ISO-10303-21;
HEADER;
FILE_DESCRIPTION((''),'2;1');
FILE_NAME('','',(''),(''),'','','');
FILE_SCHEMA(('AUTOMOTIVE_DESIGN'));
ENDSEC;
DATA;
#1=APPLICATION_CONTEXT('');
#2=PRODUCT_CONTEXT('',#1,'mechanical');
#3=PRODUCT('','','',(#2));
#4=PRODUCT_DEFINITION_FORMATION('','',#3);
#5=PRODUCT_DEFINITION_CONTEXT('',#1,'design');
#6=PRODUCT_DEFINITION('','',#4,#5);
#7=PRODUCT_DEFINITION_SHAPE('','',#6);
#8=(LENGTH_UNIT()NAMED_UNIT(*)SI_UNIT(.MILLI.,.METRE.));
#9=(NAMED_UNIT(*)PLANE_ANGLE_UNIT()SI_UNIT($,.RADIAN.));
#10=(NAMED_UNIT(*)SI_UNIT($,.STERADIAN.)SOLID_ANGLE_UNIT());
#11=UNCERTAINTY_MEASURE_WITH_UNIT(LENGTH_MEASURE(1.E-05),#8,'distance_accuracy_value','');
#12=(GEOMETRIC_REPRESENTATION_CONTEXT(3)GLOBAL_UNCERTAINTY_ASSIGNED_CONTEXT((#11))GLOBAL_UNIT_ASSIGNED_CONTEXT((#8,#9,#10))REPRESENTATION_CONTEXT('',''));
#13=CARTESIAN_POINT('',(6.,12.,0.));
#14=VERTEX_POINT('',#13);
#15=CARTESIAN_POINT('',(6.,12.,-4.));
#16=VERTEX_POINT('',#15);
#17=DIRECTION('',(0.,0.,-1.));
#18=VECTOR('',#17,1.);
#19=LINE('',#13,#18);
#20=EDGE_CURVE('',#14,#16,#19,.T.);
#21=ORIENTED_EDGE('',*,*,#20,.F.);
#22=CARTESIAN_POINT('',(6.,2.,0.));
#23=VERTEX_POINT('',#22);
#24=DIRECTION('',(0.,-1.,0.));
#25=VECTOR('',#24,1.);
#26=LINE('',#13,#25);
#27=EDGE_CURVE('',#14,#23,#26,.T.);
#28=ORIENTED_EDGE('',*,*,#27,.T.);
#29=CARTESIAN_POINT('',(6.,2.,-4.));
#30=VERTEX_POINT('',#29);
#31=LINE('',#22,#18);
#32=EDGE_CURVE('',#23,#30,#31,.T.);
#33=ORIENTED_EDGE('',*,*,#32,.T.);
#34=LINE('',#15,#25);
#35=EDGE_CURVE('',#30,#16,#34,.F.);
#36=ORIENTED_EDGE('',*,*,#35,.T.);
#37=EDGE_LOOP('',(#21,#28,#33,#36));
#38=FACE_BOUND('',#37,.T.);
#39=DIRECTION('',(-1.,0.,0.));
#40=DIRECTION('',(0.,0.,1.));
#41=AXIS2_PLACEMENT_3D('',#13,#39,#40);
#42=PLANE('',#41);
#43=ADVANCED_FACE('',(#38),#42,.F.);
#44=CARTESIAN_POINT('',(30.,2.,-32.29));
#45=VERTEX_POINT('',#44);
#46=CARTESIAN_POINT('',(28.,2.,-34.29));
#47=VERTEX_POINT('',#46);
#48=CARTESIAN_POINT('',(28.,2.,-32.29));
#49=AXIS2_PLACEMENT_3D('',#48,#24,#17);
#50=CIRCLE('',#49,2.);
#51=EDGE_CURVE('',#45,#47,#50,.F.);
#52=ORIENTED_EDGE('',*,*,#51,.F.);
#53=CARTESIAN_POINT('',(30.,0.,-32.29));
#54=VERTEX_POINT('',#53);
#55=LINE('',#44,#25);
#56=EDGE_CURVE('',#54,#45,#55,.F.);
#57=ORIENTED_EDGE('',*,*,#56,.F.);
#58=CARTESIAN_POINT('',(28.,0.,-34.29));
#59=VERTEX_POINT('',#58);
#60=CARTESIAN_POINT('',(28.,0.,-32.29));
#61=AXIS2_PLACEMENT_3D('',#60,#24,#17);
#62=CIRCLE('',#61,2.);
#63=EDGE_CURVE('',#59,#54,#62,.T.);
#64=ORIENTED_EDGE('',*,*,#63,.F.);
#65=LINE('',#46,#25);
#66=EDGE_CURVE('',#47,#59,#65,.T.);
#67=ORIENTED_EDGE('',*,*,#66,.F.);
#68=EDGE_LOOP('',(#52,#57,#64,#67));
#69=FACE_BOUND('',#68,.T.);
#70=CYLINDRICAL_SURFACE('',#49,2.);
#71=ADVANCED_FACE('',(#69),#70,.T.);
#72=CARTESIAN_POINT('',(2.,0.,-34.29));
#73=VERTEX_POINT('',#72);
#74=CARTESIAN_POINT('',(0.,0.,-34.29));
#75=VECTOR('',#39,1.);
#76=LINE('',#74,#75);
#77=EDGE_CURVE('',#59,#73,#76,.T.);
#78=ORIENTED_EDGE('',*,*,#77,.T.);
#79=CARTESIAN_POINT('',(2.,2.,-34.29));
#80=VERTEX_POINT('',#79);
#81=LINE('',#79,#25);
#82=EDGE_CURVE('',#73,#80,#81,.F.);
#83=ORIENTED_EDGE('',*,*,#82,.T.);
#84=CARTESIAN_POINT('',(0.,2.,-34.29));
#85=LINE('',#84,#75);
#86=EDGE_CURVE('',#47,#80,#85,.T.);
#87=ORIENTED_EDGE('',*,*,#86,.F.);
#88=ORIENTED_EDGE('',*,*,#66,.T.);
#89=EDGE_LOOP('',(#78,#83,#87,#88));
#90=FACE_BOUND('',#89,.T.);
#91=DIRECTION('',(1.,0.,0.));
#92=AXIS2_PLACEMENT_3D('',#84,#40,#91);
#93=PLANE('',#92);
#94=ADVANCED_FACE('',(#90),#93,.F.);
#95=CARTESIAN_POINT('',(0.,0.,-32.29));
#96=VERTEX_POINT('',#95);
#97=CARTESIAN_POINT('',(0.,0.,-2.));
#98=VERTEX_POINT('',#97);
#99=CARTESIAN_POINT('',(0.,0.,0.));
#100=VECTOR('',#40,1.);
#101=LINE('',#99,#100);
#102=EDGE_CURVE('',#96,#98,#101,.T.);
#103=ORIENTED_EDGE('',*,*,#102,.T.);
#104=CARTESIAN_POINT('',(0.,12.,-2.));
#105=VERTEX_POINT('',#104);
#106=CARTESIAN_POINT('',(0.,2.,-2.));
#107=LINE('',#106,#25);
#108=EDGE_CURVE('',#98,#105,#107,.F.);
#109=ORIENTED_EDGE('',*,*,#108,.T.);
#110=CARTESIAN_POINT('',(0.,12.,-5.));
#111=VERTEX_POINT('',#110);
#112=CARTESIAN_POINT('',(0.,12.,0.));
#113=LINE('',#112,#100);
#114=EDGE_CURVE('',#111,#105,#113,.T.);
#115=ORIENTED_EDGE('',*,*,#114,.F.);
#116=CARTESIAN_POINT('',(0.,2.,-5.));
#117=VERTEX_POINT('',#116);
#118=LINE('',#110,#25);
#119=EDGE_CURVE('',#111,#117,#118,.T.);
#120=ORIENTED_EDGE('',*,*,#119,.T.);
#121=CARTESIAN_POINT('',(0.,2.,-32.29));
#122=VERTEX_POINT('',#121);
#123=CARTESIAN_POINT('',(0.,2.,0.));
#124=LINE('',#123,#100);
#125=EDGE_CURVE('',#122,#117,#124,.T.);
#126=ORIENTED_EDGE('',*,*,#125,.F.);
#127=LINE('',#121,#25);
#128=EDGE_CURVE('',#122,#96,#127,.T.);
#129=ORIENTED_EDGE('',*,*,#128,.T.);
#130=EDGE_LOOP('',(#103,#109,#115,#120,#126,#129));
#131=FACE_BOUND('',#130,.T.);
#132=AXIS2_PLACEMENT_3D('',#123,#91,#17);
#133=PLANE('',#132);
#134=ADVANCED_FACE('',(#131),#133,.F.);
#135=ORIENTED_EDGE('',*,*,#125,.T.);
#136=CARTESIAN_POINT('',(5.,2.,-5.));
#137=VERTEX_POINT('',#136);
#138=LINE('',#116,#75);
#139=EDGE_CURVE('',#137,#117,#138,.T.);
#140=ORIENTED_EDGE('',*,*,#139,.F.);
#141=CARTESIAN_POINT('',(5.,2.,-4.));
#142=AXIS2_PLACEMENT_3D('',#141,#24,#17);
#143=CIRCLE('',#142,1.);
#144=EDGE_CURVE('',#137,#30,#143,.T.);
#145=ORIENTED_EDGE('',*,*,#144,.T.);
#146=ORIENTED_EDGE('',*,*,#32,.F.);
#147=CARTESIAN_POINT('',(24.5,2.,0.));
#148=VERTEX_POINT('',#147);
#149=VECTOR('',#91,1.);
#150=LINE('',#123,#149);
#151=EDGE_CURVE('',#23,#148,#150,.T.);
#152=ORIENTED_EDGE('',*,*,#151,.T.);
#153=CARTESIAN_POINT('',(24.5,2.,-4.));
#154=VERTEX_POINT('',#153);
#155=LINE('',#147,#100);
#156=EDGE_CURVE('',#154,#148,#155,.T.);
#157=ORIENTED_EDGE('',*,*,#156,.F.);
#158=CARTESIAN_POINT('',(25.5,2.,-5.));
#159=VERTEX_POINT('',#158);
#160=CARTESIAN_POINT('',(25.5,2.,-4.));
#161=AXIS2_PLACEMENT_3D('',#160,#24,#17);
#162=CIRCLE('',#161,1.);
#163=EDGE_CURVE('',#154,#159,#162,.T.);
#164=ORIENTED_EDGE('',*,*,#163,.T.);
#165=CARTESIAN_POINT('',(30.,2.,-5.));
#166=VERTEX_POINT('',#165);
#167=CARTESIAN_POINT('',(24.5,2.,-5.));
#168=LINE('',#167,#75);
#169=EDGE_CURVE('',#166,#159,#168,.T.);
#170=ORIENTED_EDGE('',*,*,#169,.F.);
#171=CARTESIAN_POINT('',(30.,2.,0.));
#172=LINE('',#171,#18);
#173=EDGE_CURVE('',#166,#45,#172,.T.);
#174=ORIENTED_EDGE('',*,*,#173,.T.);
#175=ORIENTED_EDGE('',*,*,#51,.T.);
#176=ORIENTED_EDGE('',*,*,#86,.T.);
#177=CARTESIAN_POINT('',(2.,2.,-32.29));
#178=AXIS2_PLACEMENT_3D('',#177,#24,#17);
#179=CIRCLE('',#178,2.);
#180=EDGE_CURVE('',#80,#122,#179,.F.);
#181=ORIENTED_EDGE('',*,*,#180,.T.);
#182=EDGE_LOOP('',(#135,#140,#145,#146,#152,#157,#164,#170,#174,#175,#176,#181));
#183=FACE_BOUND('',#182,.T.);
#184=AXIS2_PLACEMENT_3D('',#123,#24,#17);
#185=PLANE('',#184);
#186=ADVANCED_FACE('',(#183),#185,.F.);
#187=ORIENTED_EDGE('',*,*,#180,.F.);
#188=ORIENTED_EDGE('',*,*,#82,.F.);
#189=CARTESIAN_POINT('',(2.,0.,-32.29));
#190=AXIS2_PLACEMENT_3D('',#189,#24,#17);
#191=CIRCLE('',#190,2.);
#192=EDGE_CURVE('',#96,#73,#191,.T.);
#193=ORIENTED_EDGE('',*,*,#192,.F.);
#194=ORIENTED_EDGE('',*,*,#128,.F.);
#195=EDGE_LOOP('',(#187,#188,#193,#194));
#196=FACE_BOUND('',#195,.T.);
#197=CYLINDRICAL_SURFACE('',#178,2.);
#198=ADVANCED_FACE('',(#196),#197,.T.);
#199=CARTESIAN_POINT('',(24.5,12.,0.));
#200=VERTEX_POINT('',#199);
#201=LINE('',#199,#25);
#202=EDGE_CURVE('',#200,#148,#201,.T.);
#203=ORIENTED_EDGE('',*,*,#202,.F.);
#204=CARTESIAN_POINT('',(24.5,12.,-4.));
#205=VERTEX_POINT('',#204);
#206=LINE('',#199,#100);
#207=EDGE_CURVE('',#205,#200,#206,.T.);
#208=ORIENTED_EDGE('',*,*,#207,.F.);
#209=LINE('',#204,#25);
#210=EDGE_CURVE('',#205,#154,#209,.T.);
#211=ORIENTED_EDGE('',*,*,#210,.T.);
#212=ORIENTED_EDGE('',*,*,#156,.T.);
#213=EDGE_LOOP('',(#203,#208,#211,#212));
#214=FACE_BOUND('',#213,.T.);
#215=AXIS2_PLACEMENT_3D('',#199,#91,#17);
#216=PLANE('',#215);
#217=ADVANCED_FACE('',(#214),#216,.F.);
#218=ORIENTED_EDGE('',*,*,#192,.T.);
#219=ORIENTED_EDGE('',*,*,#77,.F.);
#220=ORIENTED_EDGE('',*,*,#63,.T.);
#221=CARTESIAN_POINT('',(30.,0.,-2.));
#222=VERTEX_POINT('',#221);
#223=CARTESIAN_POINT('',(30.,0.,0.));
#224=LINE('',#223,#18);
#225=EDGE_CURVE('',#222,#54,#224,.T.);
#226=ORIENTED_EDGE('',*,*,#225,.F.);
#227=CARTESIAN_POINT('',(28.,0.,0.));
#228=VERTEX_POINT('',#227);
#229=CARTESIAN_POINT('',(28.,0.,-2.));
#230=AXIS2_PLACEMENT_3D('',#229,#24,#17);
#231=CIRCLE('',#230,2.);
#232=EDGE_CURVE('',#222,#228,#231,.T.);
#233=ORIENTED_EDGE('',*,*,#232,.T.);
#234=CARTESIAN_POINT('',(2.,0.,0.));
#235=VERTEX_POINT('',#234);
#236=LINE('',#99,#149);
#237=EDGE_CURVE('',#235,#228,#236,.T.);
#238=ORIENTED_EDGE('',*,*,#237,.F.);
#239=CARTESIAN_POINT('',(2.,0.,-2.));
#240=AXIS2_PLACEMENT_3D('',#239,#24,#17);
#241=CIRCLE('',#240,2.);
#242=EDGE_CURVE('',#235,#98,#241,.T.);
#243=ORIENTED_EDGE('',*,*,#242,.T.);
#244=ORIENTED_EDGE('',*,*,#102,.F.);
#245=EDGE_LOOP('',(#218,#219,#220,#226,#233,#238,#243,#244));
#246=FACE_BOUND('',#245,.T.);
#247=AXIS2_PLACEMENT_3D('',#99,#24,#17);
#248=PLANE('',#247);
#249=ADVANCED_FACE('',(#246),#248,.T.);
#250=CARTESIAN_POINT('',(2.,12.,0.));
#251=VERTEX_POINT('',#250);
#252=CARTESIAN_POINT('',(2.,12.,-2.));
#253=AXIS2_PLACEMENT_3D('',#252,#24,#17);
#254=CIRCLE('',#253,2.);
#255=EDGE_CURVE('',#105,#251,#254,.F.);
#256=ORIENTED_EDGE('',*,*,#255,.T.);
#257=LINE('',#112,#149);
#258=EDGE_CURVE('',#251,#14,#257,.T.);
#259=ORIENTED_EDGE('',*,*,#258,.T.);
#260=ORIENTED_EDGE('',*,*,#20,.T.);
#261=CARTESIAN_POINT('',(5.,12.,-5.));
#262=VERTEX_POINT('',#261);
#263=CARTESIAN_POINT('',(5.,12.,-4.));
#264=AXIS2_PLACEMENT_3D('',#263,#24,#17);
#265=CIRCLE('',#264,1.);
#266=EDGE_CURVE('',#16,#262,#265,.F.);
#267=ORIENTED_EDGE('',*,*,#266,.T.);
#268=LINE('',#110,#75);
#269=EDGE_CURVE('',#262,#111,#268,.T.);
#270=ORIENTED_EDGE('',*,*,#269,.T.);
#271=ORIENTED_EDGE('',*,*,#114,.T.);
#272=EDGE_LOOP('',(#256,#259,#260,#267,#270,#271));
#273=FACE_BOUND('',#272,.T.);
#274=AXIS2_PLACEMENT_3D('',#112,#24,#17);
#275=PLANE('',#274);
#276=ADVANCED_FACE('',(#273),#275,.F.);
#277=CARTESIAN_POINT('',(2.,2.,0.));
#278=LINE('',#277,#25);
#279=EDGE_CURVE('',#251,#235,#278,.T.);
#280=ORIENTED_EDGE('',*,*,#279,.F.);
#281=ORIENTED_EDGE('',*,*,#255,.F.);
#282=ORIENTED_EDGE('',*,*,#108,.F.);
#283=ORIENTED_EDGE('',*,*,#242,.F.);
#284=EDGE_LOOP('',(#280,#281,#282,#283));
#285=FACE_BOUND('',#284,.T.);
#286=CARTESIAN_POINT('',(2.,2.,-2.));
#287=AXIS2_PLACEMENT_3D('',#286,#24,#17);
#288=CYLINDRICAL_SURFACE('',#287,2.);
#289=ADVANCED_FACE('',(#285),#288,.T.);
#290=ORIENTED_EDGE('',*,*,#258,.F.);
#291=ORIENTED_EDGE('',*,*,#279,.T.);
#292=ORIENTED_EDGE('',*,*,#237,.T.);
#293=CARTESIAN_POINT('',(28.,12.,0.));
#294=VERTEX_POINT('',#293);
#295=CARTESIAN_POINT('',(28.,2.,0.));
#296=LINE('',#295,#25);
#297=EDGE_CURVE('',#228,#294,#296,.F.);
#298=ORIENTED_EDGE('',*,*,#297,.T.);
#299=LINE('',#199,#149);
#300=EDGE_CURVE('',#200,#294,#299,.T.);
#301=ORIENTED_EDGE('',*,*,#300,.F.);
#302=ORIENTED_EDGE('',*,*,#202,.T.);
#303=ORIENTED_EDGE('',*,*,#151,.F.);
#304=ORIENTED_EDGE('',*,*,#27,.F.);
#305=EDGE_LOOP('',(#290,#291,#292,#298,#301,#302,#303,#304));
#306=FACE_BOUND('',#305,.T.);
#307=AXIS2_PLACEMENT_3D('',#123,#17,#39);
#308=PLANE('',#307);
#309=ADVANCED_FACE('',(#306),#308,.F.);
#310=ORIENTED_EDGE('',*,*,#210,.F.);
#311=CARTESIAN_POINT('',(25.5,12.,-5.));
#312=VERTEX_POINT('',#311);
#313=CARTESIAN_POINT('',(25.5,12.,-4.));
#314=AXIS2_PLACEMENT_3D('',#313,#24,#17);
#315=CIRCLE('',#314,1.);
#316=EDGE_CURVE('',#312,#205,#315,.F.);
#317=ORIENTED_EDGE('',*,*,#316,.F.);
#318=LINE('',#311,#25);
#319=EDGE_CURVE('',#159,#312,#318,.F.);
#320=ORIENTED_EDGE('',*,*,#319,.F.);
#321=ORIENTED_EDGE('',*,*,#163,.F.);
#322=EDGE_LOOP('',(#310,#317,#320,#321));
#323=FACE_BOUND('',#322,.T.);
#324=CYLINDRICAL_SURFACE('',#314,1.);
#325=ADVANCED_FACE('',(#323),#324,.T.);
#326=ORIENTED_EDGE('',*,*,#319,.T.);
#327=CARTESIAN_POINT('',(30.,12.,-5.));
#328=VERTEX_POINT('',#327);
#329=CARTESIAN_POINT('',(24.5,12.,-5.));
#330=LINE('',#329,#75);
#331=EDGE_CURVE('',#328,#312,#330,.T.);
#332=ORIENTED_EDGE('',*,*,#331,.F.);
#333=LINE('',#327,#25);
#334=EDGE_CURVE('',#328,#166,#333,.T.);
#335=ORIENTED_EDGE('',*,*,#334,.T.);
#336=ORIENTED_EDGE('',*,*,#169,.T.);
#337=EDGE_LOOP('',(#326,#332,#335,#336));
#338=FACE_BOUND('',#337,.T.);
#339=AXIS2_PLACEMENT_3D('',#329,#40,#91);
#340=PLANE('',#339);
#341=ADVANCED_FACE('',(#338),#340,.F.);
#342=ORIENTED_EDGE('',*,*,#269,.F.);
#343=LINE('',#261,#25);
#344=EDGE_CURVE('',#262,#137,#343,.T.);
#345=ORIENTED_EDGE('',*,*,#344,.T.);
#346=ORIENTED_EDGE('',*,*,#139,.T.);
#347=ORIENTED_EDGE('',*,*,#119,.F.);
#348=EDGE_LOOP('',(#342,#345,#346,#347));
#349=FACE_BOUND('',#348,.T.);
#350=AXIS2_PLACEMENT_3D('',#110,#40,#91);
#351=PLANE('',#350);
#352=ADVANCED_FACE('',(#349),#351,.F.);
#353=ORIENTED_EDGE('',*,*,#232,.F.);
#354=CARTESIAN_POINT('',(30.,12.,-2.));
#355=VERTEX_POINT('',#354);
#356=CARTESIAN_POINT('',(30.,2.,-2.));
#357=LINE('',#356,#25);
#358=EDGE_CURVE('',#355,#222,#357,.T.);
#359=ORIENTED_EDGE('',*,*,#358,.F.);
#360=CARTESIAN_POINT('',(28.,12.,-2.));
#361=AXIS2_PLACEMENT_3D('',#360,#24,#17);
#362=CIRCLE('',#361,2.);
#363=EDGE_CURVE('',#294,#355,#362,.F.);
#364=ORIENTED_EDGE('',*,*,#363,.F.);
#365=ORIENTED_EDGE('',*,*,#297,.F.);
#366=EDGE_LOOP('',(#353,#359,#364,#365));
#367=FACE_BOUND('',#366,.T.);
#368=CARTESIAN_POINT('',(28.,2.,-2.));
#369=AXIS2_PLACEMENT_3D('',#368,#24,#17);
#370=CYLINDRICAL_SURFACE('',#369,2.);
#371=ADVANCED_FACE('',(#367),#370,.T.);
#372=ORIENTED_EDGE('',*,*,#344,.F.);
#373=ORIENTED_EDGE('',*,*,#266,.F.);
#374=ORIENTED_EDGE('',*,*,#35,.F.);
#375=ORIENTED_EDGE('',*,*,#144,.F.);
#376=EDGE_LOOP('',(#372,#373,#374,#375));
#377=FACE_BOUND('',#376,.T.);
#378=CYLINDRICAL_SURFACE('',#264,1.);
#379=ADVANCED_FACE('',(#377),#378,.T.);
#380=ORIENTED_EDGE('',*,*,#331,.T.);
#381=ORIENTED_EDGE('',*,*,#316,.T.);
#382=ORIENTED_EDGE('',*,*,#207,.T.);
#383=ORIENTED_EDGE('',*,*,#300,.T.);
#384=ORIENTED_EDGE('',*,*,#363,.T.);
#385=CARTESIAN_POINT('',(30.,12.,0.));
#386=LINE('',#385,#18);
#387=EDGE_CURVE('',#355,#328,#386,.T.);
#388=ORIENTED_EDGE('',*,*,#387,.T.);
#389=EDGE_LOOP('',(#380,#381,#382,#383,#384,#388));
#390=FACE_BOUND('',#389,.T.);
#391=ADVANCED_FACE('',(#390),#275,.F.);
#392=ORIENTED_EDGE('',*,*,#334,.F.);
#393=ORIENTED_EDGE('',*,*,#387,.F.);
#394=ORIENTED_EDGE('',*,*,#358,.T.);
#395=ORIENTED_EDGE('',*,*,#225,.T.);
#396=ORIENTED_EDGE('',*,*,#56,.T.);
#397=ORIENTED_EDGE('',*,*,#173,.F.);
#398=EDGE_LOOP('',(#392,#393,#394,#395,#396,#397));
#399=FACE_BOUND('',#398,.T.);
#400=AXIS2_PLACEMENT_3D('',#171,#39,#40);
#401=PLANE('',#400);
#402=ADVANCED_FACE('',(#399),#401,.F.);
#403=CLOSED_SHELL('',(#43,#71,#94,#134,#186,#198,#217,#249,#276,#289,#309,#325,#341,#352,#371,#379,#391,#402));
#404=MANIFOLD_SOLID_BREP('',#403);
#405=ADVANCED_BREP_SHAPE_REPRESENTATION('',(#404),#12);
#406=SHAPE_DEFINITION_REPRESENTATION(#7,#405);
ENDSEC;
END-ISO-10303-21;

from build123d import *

# Parameters (mm, degrees)
SKETCH2_W           = 30
SKETCH2_H           = 34.29
BOSS_EXTRUDE1_DEPTH = 2
SKETCH3_W           = 5.5
SKETCH3_H           = 5
SKETCH3_W_2         = 6
BOSS_EXTRUDE2_DEPTH = 10
FILLET2_R           = 2
FILLET3_R           = 1


with BuildPart() as part:
    # Sketch2 → Boss-Extrude1 (new body)
    with BuildSketch(Plane(origin=(0, 0, 0), x_dir=(1, 0, 0), z_dir=(0, 1, 0))):
        with Locations((15, 17.145)):
            Rectangle(SKETCH2_W, SKETCH2_H)
    extrude(amount=BOSS_EXTRUDE1_DEPTH)

    # Sketch3 → Boss-Extrude2 (add)
    with BuildSketch(Plane(origin=(0, 2, 0), x_dir=(1, 0, 0), z_dir=(0, 1, 0))):
        with Locations((27.25, 2.5)):
            Rectangle(SKETCH3_W, SKETCH3_H)
        with Locations((3, 2.5)):
            Rectangle(SKETCH3_W_2, SKETCH3_H)
    extrude(amount=BOSS_EXTRUDE2_DEPTH)

    # Fillet2
    fillet2_edges = [part.edges().sort_by_distance(p)[0] for p in [
        (0, 1, -34.29),
        (30, 1, -34.29),
        (30, 6, 0),
        (0, 6, 0),
    ]]
    fillet(fillet2_edges, radius=FILLET2_R)

    # Fillet3
    fillet3_edges = [part.edges().sort_by_distance(p)[0] for p in [
        (24.5, 7, -5),
        (6, 7, -5),
    ]]
    fillet(fillet3_edges, radius=FILLET3_R)


solid = part.part
